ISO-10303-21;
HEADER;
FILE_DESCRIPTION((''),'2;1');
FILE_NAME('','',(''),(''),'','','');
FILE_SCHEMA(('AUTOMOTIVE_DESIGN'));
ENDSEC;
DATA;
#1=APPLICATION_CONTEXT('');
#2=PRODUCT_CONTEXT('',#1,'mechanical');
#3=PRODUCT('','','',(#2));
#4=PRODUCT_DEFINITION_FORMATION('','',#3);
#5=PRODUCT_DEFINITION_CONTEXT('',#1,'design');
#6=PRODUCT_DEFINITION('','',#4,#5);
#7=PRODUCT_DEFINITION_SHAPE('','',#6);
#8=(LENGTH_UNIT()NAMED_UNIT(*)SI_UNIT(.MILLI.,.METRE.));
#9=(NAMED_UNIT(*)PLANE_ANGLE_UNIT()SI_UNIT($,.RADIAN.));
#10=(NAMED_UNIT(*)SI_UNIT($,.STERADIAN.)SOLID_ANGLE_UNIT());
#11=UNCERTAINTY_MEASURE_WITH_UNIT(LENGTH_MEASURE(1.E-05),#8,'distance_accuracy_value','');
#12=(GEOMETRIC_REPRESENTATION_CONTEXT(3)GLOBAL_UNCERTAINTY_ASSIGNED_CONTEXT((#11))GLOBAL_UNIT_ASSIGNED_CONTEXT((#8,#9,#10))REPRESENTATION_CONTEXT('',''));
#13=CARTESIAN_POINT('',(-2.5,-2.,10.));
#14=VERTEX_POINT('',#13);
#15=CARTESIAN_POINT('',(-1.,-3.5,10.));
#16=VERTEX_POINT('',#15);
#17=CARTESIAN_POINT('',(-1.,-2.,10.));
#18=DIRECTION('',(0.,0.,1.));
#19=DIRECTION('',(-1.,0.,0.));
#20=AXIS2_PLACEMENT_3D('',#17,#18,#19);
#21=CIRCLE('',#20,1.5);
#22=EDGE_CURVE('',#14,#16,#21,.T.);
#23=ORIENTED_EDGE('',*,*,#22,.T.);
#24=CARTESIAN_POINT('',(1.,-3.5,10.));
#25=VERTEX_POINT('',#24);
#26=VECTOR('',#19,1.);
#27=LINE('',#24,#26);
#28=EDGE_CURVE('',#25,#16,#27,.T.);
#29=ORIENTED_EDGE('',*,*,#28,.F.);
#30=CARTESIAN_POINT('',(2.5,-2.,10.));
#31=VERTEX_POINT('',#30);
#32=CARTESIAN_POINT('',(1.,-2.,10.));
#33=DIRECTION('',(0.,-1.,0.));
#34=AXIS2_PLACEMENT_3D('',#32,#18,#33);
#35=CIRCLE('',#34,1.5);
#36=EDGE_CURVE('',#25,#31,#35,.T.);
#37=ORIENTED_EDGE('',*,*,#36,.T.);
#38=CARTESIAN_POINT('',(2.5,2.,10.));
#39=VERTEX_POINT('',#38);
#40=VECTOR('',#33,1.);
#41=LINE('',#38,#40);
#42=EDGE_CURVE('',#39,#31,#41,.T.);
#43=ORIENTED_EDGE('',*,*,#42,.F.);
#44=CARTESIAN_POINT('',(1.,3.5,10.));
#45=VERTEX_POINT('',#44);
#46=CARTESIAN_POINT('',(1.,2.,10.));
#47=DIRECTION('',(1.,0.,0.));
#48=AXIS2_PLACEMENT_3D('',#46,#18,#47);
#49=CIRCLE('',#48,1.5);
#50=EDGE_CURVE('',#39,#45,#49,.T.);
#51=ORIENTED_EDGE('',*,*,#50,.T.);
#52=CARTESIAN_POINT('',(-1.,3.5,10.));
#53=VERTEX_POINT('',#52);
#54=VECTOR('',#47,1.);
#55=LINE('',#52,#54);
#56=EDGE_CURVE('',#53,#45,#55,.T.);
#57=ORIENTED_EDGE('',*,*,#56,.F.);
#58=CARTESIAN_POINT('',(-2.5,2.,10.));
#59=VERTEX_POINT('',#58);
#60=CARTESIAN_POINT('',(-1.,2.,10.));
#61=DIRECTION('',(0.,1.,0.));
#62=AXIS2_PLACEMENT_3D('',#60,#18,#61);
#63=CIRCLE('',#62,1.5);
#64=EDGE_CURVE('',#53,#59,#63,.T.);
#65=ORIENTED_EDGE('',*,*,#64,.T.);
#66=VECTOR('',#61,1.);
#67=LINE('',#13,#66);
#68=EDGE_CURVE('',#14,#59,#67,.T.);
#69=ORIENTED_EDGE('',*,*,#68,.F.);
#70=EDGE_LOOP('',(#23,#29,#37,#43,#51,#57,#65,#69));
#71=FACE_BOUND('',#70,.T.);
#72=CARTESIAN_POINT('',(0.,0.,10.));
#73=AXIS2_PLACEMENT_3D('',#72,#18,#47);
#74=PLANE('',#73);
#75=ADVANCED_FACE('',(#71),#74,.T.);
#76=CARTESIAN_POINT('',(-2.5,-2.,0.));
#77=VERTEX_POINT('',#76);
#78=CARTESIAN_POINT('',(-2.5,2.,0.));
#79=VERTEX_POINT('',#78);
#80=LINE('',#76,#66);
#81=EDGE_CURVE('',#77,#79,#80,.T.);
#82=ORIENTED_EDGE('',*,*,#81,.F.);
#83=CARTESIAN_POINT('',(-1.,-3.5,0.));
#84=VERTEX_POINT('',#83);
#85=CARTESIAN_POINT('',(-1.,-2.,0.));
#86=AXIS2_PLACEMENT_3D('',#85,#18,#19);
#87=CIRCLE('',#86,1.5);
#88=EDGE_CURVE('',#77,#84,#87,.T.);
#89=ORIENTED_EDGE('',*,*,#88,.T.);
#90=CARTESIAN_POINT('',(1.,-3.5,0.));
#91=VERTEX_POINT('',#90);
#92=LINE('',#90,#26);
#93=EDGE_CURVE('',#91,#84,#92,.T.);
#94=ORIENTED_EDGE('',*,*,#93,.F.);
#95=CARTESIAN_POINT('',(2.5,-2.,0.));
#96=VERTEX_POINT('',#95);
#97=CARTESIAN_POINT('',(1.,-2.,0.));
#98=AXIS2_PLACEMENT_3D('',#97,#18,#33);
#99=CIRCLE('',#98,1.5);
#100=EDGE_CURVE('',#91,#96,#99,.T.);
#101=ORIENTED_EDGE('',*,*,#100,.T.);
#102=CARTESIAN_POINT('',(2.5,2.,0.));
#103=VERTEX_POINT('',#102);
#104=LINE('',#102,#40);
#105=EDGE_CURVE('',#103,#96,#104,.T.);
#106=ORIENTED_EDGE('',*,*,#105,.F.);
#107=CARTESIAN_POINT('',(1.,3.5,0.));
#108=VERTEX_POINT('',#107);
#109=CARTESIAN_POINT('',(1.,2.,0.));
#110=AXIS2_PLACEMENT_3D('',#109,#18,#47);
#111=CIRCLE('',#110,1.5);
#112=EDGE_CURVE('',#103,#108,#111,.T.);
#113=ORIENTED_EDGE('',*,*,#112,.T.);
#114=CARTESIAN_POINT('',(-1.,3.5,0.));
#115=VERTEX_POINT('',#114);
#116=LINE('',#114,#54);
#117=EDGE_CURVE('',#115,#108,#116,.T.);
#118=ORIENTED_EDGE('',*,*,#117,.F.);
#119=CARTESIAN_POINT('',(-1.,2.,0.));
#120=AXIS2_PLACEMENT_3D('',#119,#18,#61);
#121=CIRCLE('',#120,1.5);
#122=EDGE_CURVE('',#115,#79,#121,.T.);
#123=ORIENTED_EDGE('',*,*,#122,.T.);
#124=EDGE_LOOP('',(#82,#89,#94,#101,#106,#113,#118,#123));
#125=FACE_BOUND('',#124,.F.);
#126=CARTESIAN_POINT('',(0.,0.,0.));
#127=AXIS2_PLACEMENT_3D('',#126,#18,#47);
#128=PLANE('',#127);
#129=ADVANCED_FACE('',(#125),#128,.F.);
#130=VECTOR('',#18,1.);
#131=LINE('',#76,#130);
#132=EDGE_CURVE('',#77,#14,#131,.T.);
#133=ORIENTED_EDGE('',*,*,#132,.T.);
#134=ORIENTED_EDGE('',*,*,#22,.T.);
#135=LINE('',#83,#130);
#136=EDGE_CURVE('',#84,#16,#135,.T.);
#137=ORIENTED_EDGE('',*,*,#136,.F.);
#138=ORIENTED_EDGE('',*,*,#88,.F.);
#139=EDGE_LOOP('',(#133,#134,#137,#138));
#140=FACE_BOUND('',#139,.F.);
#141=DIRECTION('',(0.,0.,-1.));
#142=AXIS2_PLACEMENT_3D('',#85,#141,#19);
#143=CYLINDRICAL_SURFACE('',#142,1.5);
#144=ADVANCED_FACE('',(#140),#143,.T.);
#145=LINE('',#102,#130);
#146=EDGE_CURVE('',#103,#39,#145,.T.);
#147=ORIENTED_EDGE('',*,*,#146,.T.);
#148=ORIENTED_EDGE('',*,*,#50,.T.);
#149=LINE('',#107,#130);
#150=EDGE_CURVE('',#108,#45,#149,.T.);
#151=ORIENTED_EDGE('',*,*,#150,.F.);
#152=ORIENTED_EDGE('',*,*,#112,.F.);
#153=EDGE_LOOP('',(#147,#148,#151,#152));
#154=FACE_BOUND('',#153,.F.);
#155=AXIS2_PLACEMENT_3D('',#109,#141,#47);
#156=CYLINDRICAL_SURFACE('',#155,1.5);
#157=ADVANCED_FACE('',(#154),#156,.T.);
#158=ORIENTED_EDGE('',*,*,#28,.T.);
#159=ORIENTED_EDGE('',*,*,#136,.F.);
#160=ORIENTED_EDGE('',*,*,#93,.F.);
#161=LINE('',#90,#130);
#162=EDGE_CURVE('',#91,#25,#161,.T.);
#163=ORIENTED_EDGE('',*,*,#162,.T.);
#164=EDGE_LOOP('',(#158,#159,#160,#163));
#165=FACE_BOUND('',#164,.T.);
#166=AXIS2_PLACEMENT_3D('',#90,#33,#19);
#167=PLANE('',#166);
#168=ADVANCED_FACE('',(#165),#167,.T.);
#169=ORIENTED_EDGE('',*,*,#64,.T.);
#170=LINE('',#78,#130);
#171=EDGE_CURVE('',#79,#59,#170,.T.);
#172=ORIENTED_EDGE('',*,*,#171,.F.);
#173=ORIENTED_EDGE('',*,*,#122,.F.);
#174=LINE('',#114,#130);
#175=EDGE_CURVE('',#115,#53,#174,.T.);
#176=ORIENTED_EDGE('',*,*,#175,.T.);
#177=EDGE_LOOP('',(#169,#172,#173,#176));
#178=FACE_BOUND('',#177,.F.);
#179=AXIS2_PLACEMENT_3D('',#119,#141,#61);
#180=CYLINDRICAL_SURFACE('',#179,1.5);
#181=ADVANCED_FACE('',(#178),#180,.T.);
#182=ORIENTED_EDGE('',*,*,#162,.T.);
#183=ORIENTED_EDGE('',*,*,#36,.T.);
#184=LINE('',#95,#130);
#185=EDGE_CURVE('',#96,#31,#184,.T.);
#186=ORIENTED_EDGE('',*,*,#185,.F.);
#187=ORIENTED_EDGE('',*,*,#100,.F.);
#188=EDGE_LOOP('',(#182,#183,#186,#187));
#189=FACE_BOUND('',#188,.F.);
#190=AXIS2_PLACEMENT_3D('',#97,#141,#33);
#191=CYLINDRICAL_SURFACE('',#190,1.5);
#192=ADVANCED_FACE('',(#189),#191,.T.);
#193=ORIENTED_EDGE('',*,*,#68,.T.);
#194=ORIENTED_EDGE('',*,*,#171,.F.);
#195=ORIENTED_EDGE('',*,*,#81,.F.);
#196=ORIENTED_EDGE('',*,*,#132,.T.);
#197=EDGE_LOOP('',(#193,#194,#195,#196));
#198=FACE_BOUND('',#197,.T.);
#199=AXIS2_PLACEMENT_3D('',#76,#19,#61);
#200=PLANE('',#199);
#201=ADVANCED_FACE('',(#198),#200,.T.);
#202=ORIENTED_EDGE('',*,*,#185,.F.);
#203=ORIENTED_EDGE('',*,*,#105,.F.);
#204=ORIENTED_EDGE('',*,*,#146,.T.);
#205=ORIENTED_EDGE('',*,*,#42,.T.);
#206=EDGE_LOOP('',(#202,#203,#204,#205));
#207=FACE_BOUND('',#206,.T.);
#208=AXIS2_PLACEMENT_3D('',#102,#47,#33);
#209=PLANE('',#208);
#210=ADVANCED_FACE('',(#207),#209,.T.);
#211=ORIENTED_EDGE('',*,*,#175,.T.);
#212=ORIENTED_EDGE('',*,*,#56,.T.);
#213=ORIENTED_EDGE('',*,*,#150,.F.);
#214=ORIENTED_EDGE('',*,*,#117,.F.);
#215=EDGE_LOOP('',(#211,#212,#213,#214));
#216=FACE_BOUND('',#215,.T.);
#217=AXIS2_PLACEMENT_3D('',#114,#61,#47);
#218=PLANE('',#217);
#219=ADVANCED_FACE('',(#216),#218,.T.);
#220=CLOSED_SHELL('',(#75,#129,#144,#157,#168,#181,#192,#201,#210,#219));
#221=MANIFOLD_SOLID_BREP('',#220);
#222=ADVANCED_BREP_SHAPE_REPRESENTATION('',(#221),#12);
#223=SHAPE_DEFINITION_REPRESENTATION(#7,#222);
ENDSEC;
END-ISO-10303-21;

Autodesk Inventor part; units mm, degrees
ref_plane "YZ Plane" through (0, 0, 0) normal (1, 0, 0) x (0, 1, 0)
ref_plane "XZ Plane" through (0, 0, 0) normal (0, 1, 0) x (-1, 0, 0)
ref_plane "XY Plane" through (0, 0, 0) normal (0, 0, 1) x (1, 0, 0)
sketch "Эскиз4" plane through (0, 0, 0) normal (0, 0, 1) x (1, 0, 0)
  line L0 (1, -3.5) -> (-1, -3.5)
  line L1 (-2.5, -2) -> (-2.5, 2)
  line L2 (-1, 3.5) -> (1, 3.5)
  line L3 (2.5, 2) -> (2.5, -2)
  line L4 (2.5, -3.5) -> (-2.5, 3.5) construction
  line L5 (-2.5, -3.5) -> (2.5, 3.5) construction
  arc A0 (2.5, 2) -> (1, 3.5) centre (1, 2) ccw
  arc A1 (-1, 3.5) -> (-2.5, 2) centre (-1, 2) ccw
  arc A2 (-2.5, -2) -> (-1, -3.5) centre (-1, -2) ccw
  arc A3 (1, -3.5) -> (2.5, -2) centre (1, -2) ccw
  point P0 (0, 0)
  point P1 (0, -3)
  point P2 (0, 3)
  dimension "d15" = 5
  dimension "d16" = 7
  dimension "d17" = 1.5
  dimension "d18" = 1.5
extrude "Выдавливание2" add sketch "Эскиз4" along normal blind 10
properties part number "Clemm"
